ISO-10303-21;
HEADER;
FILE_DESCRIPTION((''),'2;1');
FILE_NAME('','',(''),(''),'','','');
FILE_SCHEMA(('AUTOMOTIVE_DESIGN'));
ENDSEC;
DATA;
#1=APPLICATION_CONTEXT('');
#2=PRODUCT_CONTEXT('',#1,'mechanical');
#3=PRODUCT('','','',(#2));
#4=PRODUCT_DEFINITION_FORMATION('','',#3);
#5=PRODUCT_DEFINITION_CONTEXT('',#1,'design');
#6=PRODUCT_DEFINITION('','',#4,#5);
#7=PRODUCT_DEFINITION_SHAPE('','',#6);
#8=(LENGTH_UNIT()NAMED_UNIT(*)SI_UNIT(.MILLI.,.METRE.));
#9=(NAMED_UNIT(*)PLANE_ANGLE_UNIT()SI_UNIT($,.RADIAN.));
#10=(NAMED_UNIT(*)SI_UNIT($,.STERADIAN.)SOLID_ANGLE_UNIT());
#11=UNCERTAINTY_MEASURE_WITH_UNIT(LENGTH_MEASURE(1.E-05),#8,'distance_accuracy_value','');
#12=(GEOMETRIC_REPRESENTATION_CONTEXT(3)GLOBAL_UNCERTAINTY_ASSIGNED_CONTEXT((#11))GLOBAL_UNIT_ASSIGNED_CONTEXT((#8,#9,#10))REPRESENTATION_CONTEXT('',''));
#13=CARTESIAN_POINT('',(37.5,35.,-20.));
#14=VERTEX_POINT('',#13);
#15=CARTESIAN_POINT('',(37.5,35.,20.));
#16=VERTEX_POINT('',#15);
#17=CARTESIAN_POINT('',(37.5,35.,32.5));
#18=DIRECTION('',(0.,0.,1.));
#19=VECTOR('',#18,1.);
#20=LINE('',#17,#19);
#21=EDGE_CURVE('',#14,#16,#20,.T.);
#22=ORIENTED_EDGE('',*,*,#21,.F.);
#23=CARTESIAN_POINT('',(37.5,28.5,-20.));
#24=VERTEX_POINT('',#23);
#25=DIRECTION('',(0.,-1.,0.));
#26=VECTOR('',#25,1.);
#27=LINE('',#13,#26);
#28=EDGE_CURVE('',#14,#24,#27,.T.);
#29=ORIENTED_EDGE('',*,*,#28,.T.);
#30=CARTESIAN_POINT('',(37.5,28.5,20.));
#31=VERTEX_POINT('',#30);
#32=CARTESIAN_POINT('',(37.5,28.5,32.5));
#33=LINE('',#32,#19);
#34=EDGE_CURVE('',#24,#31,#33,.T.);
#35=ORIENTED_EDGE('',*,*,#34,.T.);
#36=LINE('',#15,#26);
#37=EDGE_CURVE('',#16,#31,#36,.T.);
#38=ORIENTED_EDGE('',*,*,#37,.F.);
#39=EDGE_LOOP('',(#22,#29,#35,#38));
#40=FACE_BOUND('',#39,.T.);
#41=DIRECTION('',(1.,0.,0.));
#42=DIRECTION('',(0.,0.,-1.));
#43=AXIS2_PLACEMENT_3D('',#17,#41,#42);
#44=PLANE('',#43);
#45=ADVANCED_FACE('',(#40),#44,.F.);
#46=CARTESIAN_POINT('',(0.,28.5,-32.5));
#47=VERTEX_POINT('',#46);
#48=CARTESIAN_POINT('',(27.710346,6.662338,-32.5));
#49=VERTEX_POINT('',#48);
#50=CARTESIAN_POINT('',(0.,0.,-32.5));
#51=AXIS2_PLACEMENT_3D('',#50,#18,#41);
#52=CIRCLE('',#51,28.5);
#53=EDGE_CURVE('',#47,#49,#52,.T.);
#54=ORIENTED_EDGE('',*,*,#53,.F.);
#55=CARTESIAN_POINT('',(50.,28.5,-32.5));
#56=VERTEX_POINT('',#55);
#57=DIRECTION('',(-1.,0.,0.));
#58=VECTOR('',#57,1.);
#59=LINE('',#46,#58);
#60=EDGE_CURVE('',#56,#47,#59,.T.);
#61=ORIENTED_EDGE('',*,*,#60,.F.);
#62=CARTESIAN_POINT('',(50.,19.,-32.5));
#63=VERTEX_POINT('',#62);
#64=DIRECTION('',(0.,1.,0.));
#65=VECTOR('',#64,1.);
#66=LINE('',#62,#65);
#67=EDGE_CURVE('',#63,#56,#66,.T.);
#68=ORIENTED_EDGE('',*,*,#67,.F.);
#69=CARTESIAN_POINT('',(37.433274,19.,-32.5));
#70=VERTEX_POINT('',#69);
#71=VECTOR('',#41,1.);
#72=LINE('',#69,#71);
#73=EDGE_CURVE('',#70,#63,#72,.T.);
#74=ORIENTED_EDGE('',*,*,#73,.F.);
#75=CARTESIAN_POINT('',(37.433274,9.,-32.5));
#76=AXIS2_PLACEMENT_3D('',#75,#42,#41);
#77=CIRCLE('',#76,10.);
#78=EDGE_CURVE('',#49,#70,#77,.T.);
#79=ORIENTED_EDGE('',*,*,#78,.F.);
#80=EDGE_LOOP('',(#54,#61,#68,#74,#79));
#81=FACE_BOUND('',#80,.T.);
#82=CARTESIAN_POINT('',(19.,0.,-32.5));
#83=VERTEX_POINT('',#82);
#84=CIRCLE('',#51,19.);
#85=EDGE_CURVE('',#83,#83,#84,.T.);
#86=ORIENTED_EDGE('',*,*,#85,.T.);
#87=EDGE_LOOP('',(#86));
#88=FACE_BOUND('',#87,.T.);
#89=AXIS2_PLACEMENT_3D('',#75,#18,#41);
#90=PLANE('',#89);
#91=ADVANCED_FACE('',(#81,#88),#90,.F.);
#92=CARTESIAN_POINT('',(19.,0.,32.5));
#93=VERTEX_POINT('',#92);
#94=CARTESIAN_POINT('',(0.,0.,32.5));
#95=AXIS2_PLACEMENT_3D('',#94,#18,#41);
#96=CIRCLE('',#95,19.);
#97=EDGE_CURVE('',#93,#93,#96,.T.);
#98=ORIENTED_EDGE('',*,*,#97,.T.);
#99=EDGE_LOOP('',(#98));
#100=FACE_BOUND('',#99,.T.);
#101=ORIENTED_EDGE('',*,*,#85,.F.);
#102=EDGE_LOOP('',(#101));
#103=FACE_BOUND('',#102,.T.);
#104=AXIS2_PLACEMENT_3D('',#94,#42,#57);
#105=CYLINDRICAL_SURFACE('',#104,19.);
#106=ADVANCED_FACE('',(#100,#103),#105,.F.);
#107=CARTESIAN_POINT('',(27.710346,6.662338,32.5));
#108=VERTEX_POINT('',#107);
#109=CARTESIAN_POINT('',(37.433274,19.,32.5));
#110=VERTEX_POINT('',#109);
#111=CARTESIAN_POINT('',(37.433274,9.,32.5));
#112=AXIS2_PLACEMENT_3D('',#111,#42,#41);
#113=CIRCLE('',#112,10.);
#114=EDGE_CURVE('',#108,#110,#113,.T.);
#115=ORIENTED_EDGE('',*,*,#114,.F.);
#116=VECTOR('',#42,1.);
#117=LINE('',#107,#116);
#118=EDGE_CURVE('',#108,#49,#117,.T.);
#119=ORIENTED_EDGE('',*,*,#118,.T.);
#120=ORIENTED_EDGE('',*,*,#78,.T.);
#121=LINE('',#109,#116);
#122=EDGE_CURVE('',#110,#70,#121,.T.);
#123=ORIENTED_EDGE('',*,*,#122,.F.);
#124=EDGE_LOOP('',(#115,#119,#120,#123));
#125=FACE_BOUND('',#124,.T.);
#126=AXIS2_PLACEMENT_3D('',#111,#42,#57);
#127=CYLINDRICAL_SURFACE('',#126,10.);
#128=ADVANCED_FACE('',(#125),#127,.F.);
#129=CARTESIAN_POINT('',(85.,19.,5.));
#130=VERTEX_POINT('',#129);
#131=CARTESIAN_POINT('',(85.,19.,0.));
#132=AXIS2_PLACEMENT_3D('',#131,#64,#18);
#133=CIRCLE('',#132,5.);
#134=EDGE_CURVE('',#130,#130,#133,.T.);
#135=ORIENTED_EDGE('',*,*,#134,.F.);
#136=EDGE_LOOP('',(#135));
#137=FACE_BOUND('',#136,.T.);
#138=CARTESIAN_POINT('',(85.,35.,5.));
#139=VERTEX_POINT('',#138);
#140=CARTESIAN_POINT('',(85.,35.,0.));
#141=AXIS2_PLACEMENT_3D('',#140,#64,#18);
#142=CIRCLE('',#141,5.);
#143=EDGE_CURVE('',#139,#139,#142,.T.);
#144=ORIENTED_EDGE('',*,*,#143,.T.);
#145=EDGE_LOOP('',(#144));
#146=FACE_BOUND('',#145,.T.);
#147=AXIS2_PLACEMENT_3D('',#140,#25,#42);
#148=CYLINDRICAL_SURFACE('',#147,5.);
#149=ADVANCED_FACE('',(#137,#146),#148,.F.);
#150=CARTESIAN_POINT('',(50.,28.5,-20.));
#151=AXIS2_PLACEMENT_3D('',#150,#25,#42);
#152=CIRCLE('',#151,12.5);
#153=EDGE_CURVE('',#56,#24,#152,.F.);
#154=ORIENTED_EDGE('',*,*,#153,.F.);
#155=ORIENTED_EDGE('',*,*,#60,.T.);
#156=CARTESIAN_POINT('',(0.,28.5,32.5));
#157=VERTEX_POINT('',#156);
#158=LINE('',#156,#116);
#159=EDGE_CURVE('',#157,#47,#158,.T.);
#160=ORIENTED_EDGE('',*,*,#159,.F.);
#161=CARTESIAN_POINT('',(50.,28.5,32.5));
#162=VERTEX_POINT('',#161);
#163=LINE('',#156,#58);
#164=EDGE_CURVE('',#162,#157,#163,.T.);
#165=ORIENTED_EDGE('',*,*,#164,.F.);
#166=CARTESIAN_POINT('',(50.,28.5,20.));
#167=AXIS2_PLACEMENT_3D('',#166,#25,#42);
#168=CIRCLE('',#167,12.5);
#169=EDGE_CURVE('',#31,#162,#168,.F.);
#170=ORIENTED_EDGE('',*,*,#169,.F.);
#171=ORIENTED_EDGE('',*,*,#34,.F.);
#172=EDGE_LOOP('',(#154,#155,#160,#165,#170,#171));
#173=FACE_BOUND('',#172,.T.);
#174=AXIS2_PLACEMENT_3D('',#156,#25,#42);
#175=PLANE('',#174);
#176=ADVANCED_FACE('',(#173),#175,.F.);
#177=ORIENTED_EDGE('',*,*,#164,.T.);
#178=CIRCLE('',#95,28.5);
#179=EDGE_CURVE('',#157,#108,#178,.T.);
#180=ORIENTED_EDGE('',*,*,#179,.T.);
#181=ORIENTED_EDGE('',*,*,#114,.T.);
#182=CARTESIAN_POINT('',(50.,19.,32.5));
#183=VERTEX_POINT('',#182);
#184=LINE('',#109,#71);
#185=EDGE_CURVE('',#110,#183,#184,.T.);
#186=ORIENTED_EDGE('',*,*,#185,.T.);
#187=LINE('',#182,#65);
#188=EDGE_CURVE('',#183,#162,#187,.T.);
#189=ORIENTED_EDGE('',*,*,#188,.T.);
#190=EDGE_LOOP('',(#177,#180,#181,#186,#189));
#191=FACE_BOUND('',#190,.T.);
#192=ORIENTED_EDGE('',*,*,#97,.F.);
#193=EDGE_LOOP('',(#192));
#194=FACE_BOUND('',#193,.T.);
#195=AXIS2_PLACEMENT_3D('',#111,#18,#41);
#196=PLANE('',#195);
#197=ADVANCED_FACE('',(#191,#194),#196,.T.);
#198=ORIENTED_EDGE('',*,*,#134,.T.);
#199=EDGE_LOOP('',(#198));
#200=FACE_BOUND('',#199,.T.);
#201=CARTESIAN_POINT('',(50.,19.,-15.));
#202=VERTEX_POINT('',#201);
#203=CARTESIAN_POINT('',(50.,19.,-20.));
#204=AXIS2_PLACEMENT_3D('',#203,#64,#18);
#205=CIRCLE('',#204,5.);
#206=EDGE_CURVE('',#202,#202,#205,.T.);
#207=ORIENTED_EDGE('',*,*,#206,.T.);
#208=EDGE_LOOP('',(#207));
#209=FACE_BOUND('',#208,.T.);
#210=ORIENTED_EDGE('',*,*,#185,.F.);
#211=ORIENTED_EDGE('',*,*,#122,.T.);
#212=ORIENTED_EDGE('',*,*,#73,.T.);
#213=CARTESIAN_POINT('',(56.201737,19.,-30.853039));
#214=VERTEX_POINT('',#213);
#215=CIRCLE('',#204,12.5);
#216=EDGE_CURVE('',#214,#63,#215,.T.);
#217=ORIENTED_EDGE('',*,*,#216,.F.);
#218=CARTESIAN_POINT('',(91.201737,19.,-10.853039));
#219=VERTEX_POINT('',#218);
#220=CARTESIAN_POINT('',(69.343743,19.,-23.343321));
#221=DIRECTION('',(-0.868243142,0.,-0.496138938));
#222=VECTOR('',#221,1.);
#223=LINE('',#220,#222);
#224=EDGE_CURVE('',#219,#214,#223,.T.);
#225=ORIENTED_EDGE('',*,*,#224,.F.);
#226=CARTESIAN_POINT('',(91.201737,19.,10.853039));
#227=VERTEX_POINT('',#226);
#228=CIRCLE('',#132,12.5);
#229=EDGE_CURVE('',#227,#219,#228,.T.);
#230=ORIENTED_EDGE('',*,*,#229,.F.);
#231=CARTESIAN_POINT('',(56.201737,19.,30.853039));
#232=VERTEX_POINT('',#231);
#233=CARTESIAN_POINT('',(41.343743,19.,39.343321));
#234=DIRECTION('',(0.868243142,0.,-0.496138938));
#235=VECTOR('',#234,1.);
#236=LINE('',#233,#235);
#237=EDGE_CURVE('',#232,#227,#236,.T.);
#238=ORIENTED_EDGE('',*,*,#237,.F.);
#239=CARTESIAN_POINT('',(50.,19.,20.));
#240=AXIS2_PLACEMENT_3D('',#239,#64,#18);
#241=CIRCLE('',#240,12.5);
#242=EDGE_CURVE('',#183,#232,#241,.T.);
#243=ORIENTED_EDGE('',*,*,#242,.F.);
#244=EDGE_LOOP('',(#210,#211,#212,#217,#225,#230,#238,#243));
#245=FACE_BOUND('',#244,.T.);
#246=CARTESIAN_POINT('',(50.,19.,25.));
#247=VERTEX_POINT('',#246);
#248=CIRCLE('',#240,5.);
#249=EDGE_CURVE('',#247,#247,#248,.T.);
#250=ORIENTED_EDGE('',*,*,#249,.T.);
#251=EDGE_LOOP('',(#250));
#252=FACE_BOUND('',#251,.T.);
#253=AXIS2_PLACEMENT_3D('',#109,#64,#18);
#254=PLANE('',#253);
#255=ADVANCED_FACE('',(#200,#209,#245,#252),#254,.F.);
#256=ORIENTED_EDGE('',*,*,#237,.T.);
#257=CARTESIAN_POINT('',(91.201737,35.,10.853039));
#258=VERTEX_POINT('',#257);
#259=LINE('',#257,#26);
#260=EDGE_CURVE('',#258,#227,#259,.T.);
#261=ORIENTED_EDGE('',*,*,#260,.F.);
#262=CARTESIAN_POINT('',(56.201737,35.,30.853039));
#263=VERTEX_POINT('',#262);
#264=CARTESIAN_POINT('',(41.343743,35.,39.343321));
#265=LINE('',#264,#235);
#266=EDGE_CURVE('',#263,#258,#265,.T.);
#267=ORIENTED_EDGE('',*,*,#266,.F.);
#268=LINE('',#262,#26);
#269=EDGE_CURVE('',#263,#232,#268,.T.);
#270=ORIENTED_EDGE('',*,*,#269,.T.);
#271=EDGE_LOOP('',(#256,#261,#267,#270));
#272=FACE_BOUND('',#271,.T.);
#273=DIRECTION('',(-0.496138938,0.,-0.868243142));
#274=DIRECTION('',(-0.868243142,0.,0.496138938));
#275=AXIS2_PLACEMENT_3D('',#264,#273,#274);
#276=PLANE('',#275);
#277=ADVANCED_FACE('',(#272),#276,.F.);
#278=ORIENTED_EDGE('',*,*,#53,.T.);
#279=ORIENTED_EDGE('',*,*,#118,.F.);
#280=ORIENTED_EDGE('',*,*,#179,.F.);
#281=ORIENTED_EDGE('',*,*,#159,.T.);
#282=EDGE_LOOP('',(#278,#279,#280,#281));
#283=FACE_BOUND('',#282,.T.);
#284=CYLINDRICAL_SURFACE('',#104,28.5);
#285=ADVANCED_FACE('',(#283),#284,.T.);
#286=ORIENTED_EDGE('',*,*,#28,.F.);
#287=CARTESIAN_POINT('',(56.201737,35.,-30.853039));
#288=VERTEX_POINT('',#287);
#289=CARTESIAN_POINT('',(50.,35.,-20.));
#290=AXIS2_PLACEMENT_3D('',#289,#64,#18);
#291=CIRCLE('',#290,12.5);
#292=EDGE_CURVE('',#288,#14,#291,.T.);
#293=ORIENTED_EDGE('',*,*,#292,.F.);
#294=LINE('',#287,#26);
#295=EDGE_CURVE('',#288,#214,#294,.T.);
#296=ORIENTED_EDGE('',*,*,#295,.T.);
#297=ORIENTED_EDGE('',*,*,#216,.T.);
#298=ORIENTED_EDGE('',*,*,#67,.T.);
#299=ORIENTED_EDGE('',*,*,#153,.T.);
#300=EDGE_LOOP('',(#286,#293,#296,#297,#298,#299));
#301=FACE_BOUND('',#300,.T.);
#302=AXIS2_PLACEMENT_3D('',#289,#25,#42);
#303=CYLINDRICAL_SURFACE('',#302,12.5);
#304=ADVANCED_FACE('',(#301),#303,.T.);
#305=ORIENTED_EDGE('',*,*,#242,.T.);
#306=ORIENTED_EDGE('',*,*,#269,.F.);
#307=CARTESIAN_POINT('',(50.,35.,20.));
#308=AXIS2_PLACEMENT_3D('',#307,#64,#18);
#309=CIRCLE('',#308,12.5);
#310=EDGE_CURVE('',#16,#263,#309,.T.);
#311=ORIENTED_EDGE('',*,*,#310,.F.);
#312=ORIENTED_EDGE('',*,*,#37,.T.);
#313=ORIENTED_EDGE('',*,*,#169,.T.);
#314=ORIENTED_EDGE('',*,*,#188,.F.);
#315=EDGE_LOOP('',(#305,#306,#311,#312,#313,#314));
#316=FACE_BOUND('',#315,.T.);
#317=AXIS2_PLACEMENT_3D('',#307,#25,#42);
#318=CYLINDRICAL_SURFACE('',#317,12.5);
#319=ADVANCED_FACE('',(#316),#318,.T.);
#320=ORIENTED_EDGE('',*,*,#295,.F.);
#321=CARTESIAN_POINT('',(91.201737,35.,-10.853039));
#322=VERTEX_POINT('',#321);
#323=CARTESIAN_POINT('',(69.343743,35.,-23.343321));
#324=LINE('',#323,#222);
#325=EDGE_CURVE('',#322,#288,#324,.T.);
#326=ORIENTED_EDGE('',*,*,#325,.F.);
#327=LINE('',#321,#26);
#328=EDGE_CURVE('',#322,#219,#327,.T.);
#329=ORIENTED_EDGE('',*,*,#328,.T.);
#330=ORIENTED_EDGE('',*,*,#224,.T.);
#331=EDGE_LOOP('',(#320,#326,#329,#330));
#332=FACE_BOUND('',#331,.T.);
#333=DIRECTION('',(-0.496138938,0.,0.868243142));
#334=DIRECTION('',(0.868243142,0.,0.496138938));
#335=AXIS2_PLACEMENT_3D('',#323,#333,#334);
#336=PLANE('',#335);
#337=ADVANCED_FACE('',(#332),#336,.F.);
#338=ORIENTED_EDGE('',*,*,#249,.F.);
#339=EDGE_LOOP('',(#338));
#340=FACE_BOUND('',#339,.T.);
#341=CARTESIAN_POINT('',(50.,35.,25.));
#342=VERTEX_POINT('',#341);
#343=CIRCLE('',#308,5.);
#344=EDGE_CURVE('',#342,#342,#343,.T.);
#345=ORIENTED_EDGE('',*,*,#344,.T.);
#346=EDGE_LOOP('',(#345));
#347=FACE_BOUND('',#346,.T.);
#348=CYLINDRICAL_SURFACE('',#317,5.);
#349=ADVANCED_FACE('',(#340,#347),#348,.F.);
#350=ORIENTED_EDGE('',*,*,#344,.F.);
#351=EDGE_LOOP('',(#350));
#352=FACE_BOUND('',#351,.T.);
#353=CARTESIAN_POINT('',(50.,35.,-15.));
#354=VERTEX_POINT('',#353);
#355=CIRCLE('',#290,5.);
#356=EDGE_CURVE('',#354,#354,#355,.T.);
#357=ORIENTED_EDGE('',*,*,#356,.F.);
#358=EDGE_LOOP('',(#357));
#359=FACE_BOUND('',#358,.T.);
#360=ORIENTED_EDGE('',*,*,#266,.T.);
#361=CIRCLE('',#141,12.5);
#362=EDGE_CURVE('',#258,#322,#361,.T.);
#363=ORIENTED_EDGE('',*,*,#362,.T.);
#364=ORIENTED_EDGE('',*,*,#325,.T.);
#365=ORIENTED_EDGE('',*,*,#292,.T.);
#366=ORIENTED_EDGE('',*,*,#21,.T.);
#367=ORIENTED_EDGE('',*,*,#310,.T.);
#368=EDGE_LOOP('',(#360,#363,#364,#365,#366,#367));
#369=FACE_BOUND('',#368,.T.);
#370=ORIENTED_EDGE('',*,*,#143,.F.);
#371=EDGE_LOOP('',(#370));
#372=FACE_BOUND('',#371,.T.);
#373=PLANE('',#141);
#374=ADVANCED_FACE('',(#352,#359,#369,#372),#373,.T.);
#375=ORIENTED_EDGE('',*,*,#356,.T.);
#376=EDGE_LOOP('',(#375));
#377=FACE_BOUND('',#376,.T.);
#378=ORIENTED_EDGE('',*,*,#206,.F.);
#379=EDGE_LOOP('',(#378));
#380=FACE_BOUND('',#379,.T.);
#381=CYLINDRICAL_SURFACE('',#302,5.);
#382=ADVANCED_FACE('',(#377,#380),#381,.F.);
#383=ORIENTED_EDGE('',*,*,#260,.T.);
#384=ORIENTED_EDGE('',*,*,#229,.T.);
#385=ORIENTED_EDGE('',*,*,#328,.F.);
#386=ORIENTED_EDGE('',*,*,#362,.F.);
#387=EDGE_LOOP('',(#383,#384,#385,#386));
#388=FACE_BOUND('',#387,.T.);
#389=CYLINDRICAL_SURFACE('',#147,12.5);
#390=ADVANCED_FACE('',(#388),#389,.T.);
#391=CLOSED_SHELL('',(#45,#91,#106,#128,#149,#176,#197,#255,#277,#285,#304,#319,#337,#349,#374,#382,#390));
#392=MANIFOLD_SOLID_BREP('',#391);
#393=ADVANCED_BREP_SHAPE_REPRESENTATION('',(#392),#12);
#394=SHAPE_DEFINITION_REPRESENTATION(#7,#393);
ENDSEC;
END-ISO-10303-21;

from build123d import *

# Parameters (mm, degrees)
SKETCH1_R           = 19
BOSS_EXTRUDE1_DEPTH = 32.5
BOSS_EXTRUDE2_START = -9.5
SKETCH2_R           = 5
BOSS_EXTRUDE2_DEPTH = 16
CUT_EXTRUDE2_START  = -16
SKETCH4_R           = 5
CUT_EXTRUDE2_DEPTH  = 16


with BuildPart() as part:
    # Sketch1 → Boss-Extrude1 (new, symmetric)
    with BuildSketch(Plane.XY):
        with BuildLine():
            Line((37.433273968, 19), (50, 19))
            Line((50, 19), (50, 28.5))
            Line((50, 28.5), (0, 28.5))
            ThreePointArc((0, 28.5), (-17.640484356, -22.38444352), (27.710345665, 6.662337662))
            ThreePointArc((27.710345665, 6.662337662), (29.57908326, 15.189643634), (37.433273968, 19))
        make_face()
        Circle(SKETCH1_R, mode=Mode.SUBTRACT)
    extrude(amount=BOSS_EXTRUDE1_DEPTH, both=True)

    # Sketch2 → Boss-Extrude2 (add)
    with BuildSketch(Plane(origin=(0, 28.5, 0), x_dir=(1, 0, 0), z_dir=(0, 1, 0)).offset(BOSS_EXTRUDE2_START)):
        with BuildLine():
            Line((37.5, 20), (37.5, -20))
            ThreePointArc((37.5, -20), (43.725914773, -30.811376164), (56.201736729, -30.853039277))
            Line((56.201736729, -30.853039277), (91.201736729, -10.853039277))
            ThreePointArc((91.201736729, -10.853039277), (97.5, 0), (91.201736729, 10.853039277))
            Line((91.201736729, 10.853039277), (56.201736729, 30.853039277))
            ThreePointArc((56.201736729, 30.853039277), (43.725914773, 30.811376164), (37.5, 20))
        make_face()
        with Locations(Location((50, 20, 0), (0, 0, 270))):
            Circle(SKETCH2_R, mode=Mode.SUBTRACT)
        with Locations(Location((50, -20, 0), (0, 0, 270))):
            Circle(SKETCH2_R, mode=Mode.SUBTRACT)
        with Locations(Location((85, 0, 0), (0, 0, 270))):
            Circle(SKETCH2_R, mode=Mode.SUBTRACT)
    extrude(amount=BOSS_EXTRUDE2_DEPTH)

    # Sketch4 → Cut-Extrude2 (cut)
    with BuildSketch(Plane(origin=(0, 35, 0), x_dir=(1, 0, 0), z_dir=(0, 1, 0)).offset(CUT_EXTRUDE2_START)):
        with Locations(Location((50, -20, 0), (0, 0, 270))):
            Circle(SKETCH4_R)
        with Locations(Location((85, 0, 0), (0, 0, 270))):
            Circle(SKETCH4_R)
        with Locations(Location((50, 20, 0), (0, 0, 270))):
            Circle(SKETCH4_R)
    extrude(amount=CUT_EXTRUDE2_DEPTH, mode=Mode.SUBTRACT)


solid = part.part
